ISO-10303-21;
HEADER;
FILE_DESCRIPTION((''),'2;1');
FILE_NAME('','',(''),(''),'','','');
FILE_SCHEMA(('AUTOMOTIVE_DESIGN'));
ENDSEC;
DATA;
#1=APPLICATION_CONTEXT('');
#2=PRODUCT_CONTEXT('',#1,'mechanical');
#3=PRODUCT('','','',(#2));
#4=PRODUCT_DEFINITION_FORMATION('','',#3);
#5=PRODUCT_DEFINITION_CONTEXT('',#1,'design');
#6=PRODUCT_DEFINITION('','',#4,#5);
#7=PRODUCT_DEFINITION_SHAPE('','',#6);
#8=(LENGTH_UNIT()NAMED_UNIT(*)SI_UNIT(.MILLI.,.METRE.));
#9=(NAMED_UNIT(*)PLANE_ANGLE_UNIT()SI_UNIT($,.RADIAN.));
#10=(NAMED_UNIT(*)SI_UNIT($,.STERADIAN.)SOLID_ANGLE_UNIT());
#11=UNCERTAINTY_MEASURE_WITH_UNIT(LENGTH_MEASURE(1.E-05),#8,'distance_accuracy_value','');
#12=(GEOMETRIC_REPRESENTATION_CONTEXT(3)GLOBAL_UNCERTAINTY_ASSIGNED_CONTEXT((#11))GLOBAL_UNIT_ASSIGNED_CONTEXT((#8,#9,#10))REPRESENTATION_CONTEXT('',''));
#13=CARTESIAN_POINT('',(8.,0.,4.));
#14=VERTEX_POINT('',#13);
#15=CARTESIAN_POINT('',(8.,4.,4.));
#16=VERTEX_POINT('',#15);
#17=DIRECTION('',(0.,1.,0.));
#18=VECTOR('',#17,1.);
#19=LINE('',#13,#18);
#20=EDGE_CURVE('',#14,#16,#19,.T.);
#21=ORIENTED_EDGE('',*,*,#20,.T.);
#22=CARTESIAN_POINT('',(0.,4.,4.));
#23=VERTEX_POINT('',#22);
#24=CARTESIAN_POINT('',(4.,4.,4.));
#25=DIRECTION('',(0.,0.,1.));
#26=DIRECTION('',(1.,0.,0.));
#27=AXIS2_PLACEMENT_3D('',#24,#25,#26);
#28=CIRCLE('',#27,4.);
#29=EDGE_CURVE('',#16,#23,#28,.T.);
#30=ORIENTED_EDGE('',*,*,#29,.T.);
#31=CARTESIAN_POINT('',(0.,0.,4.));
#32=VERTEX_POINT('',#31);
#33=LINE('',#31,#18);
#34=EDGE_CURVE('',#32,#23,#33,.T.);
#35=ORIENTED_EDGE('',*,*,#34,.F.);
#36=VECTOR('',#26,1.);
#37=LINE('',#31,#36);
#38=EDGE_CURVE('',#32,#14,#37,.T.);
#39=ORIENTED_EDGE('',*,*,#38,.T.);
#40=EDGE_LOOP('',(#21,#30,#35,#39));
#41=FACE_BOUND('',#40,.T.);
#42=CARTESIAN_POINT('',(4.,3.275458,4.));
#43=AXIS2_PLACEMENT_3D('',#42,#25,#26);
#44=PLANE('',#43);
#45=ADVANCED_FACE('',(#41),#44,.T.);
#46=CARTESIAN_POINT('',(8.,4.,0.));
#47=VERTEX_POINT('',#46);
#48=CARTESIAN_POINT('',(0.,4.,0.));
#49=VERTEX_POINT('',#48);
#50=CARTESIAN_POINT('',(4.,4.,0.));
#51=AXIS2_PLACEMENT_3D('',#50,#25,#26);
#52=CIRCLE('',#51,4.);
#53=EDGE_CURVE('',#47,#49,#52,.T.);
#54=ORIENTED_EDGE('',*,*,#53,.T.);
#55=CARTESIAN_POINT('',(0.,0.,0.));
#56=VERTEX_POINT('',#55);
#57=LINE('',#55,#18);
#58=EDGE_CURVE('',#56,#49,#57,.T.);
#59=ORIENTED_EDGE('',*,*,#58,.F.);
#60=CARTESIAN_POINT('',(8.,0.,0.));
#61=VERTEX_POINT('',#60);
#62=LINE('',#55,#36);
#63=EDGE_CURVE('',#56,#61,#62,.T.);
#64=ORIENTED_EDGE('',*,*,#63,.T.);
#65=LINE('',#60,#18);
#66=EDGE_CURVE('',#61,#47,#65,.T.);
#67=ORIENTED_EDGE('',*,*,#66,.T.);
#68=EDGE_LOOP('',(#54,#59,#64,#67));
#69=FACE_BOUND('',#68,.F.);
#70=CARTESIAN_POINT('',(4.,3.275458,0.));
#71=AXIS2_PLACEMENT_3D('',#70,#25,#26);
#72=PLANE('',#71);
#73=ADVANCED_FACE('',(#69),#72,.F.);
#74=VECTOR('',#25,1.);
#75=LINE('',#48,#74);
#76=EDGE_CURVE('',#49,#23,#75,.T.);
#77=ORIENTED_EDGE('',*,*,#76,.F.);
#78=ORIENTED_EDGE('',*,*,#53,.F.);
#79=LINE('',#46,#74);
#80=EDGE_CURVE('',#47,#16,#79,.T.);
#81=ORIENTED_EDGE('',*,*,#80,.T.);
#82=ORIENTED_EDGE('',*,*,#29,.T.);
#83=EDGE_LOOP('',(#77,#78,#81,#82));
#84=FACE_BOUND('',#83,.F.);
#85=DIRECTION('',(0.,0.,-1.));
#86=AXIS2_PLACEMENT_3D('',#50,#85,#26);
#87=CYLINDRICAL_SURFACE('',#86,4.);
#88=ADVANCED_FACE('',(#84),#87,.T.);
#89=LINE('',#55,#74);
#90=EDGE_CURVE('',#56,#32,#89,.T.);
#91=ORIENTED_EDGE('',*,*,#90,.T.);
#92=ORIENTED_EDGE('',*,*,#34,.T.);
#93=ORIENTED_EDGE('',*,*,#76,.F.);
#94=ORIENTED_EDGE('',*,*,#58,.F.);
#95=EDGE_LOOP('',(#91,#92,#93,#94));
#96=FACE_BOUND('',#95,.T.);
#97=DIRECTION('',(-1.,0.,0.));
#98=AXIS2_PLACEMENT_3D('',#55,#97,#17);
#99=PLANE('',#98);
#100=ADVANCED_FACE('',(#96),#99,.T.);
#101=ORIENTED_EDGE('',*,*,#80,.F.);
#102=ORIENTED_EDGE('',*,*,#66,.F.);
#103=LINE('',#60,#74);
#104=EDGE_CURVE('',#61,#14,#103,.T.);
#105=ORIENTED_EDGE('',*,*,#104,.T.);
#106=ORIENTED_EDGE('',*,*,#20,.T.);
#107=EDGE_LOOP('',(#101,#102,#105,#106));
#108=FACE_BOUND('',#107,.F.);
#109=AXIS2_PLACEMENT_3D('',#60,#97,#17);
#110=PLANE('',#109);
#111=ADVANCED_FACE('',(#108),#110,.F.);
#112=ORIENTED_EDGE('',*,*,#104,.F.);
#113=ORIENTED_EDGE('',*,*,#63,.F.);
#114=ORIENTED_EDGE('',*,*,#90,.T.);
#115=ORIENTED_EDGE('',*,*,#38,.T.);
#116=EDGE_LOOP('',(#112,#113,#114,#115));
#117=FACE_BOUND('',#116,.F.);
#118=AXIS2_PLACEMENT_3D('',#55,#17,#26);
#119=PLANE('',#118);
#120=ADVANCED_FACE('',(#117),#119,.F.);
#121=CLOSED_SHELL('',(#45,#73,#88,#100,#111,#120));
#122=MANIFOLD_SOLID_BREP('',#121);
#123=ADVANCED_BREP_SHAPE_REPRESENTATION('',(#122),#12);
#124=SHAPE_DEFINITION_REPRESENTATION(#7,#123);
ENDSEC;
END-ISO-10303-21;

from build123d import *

# Parameters (mm, degrees)
PAD_DEPTH = 4


with BuildPart() as part:
    # Sketch → Pad (new body)
    with BuildSketch(Plane.XY):
        with BuildLine():
            Line((0, 0), (8, 0))
            Line((8, 0), (8, 4))
            ThreePointArc((8, 4), (4, 8), (0, 4))
            Line((0, 0), (0, 4))
        make_face()
    extrude(amount=PAD_DEPTH)


solid = part.part
